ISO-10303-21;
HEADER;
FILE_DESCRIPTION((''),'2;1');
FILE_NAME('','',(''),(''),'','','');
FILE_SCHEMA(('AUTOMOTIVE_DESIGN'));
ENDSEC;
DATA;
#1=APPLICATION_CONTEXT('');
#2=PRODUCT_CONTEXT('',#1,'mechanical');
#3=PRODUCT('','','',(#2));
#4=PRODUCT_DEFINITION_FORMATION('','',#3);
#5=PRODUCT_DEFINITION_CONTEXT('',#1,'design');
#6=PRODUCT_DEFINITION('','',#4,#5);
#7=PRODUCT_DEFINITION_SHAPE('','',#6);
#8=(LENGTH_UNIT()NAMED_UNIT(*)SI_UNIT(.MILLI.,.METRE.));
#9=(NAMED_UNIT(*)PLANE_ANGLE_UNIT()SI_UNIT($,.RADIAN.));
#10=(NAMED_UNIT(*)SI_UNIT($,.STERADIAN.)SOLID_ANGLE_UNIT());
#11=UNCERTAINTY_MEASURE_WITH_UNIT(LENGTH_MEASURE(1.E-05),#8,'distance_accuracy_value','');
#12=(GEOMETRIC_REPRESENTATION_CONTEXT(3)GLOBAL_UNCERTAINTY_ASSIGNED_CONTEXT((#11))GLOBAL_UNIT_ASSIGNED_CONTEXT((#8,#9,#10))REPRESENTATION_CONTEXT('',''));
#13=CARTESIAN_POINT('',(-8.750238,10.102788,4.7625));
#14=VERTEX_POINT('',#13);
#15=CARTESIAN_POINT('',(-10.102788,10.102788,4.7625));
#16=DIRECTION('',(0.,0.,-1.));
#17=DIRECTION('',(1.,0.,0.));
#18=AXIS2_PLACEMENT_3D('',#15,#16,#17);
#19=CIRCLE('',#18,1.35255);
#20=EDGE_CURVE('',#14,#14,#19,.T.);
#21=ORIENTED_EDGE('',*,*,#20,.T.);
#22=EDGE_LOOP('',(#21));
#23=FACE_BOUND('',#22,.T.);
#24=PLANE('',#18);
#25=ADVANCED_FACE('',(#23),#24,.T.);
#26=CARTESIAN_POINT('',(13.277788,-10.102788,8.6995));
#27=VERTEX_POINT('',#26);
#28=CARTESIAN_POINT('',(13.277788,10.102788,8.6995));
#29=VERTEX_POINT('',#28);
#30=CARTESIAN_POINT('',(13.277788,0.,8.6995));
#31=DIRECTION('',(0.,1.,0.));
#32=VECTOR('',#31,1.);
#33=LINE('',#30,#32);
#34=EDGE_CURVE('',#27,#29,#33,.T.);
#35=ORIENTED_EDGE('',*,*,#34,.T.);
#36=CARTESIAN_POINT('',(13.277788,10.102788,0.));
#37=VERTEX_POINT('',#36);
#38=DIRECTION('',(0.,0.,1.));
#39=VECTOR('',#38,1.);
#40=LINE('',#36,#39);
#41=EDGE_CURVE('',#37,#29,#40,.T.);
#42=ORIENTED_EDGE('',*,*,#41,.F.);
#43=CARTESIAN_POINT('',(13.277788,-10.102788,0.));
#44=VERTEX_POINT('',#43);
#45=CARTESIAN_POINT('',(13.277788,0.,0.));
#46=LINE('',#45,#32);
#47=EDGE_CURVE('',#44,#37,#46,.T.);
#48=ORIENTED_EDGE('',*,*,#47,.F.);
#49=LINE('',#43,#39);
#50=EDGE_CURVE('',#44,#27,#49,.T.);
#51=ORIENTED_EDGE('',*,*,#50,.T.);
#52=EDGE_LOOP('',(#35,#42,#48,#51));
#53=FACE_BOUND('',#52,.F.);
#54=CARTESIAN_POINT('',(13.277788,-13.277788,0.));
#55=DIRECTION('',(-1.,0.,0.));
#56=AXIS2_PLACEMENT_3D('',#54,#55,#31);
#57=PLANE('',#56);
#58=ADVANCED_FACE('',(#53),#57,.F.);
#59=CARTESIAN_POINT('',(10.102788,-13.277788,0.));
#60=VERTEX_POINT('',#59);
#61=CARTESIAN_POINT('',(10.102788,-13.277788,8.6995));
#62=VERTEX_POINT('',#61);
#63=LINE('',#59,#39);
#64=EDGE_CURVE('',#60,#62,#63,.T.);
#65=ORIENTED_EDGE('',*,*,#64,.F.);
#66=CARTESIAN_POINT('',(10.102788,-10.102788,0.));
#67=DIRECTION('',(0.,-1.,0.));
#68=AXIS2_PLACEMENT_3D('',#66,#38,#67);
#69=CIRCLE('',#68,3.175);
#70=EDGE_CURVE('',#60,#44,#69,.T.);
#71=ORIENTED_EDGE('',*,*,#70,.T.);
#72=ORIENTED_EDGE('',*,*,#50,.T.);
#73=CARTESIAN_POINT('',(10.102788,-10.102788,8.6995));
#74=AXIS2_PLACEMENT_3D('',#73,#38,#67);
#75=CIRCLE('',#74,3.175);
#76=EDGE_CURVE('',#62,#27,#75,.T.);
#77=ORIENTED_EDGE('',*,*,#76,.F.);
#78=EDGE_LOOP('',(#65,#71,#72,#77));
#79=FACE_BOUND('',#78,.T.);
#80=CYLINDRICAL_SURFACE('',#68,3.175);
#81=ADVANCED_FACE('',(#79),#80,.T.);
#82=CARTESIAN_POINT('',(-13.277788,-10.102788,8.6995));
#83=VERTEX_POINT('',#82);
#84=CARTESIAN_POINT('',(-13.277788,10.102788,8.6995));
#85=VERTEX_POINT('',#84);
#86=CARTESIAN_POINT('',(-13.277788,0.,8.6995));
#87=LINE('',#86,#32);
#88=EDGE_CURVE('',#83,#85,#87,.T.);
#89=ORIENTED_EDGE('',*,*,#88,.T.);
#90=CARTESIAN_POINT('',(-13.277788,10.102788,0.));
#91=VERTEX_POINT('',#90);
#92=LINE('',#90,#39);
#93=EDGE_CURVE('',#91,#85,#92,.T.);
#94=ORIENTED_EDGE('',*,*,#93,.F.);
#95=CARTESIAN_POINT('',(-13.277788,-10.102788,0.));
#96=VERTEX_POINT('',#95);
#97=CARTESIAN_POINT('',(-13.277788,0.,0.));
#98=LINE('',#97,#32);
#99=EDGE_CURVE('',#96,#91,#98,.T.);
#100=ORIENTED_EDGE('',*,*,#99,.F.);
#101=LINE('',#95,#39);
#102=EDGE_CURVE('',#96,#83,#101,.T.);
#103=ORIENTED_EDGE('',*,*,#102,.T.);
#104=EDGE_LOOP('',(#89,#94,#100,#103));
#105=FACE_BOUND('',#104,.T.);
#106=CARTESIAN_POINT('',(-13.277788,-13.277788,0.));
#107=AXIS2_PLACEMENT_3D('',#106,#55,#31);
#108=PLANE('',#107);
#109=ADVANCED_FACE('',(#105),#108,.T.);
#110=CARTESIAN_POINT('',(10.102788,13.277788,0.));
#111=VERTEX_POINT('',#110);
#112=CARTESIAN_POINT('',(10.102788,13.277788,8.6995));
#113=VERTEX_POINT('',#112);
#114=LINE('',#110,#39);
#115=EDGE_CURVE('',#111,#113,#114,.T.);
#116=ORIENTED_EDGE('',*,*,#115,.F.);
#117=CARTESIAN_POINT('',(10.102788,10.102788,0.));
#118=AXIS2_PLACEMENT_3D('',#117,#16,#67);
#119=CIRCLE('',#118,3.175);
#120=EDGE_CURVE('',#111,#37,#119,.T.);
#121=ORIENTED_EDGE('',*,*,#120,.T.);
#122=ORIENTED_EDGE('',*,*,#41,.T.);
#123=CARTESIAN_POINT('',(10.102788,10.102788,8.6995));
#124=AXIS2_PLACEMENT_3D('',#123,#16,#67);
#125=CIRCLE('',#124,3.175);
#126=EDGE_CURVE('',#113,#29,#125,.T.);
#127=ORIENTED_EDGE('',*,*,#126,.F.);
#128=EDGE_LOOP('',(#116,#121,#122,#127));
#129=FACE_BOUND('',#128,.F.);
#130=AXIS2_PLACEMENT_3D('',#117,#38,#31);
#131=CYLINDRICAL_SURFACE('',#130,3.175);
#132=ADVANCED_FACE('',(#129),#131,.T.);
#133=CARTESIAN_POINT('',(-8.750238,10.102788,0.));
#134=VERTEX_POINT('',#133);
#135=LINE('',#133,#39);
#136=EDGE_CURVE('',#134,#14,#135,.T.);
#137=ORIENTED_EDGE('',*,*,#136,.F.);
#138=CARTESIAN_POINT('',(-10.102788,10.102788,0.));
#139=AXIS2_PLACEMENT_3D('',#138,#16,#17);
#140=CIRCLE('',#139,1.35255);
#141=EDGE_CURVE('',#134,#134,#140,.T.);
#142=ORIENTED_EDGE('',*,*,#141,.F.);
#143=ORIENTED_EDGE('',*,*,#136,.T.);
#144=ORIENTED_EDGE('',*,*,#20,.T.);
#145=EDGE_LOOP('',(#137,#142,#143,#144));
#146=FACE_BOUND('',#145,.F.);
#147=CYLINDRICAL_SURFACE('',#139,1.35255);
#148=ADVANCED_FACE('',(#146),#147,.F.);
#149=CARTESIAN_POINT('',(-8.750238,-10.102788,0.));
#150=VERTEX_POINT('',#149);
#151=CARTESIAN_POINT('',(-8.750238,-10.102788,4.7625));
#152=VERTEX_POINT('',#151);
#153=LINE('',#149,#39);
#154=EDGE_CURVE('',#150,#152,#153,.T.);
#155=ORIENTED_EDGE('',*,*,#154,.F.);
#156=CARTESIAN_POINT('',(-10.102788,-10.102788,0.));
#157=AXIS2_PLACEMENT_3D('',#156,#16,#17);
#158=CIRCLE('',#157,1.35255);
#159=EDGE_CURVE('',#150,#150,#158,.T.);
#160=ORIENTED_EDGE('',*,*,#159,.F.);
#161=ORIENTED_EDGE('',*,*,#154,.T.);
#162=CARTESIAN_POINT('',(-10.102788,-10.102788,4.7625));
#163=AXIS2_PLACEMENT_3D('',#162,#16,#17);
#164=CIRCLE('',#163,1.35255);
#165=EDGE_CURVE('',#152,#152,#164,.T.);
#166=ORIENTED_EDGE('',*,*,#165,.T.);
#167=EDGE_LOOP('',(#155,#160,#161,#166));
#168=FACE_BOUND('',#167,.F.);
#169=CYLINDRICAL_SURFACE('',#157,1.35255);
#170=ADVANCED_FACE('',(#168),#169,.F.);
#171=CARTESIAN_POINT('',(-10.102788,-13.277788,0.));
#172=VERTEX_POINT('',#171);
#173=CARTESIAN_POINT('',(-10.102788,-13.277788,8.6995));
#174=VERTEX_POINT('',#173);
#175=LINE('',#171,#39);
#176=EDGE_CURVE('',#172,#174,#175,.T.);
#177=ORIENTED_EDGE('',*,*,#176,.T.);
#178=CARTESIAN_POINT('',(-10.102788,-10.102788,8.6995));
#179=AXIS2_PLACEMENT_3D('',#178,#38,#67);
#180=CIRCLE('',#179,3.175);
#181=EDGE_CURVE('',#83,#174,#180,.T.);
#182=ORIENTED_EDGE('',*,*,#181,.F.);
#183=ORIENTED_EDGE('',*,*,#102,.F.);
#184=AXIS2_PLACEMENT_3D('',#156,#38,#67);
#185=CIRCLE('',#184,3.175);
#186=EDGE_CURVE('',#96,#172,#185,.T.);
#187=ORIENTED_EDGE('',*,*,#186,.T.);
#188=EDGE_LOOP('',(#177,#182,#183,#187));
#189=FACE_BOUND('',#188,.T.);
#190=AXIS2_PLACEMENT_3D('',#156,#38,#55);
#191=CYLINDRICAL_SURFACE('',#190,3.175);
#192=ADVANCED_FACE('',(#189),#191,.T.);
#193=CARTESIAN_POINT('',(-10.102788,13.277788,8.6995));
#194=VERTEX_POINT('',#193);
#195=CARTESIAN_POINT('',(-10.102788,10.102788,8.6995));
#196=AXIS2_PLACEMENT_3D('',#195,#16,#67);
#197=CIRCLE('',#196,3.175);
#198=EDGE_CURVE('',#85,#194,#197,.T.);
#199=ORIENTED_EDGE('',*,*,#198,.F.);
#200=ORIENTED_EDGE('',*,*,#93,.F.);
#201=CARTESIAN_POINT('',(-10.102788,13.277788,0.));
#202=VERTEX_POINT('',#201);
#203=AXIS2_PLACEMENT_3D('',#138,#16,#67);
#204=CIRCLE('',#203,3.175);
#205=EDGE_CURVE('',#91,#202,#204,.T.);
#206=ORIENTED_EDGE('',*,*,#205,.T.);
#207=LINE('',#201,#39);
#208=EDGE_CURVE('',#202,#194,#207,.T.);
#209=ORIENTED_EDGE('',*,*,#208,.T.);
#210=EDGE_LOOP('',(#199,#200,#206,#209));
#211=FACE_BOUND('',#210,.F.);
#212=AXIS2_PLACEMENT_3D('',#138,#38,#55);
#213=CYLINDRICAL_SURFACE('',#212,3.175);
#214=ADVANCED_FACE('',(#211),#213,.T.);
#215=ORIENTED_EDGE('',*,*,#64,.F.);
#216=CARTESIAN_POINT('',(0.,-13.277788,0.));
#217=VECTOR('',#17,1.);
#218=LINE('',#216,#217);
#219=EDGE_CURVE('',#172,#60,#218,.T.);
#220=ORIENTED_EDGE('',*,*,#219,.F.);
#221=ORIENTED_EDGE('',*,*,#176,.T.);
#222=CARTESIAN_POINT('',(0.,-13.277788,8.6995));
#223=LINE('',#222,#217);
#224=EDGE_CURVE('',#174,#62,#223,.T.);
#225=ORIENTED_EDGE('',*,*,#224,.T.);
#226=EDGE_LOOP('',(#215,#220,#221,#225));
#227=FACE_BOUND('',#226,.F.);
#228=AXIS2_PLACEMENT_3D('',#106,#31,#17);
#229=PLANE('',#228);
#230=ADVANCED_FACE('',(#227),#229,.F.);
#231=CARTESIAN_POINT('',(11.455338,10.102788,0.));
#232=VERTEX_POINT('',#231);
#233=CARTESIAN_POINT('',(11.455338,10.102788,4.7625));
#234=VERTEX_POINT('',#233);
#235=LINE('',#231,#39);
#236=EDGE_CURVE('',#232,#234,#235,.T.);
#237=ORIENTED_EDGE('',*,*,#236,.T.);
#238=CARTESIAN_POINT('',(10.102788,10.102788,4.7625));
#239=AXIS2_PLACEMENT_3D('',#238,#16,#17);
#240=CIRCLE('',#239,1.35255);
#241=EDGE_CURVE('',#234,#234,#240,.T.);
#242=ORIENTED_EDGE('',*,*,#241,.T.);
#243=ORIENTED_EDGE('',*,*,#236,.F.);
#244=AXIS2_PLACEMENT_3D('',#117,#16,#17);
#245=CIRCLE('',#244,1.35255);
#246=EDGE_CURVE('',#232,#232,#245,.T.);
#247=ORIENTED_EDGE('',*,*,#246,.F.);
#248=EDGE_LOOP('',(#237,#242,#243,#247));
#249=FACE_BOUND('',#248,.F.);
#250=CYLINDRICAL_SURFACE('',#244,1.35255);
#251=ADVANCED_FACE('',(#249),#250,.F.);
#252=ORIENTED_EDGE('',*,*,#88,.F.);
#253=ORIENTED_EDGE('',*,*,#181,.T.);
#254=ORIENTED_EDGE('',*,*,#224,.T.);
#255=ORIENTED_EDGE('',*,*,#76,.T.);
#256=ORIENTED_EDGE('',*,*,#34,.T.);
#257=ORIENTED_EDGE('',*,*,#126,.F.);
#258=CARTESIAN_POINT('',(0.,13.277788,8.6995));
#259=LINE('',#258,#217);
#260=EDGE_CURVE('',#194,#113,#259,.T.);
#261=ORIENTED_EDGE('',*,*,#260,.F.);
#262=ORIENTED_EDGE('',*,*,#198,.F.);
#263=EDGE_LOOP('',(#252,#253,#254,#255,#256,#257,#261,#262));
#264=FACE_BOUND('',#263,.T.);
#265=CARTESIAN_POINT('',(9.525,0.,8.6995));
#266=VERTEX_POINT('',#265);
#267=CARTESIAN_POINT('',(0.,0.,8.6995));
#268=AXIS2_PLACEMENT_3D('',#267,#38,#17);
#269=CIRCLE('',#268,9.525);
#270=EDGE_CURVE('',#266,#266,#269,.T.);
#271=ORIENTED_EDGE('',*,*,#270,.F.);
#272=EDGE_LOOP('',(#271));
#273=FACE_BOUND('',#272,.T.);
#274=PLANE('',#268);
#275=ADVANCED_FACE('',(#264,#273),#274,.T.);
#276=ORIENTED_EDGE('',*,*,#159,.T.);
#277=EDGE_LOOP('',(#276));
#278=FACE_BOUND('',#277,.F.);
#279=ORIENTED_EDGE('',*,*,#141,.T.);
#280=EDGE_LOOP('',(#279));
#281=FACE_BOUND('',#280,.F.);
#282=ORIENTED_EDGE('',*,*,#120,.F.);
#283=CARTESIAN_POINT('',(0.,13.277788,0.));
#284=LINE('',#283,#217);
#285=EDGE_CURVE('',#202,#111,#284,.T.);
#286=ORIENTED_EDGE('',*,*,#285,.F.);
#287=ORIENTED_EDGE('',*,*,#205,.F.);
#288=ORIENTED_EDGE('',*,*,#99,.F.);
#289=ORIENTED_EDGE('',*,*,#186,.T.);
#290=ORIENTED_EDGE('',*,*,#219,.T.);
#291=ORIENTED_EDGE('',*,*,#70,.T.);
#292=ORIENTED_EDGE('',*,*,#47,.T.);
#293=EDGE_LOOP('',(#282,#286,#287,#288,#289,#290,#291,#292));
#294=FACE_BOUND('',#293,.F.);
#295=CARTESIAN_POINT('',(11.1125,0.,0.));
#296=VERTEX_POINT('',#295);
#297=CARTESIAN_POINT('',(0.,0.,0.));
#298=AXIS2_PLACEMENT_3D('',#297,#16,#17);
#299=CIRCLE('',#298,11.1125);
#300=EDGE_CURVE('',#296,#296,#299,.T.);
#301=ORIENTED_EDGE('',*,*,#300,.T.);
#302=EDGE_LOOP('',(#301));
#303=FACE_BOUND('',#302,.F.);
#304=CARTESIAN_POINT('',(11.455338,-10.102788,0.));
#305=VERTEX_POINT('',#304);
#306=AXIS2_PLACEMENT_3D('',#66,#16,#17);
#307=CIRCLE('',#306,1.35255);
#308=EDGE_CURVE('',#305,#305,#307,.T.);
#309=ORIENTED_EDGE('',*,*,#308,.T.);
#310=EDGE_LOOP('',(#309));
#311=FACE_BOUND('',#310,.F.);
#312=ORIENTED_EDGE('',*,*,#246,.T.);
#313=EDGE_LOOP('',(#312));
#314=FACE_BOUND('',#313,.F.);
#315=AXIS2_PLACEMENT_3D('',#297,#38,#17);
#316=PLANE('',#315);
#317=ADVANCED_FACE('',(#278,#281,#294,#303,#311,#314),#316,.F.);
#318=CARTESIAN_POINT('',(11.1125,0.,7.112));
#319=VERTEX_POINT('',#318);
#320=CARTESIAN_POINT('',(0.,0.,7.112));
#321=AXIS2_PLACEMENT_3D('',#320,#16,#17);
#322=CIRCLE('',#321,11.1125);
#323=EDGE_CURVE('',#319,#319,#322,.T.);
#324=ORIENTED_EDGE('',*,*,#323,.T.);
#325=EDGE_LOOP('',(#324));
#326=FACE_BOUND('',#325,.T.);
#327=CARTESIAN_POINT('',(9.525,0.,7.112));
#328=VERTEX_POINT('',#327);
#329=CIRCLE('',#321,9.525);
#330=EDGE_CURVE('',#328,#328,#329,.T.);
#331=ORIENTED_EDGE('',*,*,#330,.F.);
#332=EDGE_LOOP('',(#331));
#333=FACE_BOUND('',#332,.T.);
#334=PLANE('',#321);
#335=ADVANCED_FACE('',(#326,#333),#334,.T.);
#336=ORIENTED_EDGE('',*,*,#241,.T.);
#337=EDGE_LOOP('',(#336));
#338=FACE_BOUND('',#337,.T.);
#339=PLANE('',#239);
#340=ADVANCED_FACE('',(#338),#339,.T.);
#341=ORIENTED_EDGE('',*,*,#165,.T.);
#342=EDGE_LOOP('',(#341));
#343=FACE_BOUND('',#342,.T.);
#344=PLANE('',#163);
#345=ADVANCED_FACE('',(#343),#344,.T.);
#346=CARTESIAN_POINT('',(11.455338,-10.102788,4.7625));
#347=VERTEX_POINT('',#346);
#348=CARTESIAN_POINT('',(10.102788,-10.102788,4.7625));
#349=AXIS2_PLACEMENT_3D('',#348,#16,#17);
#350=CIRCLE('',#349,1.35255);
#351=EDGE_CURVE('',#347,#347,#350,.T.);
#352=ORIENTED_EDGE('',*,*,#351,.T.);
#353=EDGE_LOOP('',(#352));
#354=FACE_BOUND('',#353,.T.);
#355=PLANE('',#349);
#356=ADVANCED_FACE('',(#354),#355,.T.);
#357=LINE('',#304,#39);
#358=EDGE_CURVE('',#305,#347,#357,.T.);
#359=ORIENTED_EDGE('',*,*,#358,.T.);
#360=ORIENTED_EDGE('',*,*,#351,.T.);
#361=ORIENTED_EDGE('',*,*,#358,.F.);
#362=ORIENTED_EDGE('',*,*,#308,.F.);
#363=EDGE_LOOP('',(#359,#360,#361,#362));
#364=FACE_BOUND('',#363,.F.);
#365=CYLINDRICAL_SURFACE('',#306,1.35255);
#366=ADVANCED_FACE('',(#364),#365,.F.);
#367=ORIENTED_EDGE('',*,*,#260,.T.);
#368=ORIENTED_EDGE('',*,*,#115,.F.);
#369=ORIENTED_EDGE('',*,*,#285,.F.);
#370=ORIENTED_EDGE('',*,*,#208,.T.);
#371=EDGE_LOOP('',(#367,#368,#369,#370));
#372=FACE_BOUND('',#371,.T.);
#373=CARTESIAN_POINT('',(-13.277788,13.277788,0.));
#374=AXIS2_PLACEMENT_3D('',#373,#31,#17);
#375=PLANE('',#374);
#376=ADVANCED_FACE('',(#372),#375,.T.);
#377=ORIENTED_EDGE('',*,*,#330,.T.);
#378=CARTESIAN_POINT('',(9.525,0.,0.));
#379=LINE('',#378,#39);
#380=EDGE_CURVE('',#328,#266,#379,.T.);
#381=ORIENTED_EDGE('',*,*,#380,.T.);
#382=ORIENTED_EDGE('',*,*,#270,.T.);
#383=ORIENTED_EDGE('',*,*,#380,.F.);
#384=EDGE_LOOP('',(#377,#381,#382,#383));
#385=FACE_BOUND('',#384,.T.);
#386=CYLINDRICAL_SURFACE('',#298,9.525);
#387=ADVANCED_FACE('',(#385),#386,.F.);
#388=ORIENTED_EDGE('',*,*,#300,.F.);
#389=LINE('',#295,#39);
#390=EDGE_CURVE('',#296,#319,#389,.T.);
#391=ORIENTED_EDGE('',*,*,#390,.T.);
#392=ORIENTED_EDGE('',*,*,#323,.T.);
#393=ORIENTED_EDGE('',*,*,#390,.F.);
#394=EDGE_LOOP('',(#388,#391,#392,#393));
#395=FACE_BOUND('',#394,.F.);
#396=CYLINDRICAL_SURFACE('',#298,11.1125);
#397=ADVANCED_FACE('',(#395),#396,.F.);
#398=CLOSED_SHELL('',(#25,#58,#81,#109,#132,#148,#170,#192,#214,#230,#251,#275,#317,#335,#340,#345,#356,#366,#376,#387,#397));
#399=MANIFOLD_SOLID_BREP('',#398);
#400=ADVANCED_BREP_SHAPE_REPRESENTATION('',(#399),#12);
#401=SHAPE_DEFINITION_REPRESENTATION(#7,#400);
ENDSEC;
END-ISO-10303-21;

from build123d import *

# Parameters (mm, degrees)
F0_W     = 26.555576
F0_H     = 26.555576
F0_R     = 9.525
F1_DEPTH = 8.6995
F2_R     = 3.175
F3_R     = 11.1125
F4_DEPTH = 7.112
F5_R     = 1.35255
F6_DEPTH = 4.7625


with BuildPart() as f1:
    # F0 (on Top) → F1 (new body)
    with BuildSketch(Plane.XY):
        Rectangle(F0_W, F0_H)
        Circle(F0_R, mode=Mode.SUBTRACT)
    extrude(amount=F1_DEPTH)

    # F2
    f2_edges = [f1.edges().sort_by_distance(p)[0] for p in [
        (-13.277788, 13.277788, 4.34975),
        (-13.277788, -13.277788, 4.34975),
        (13.277788, -13.277788, 4.34975),
        (13.277788, 13.277788, 4.34975),
    ]]
    fillet(f2_edges, radius=F2_R)

    # F3 (on face) → F4 (cut)
    with BuildSketch(Plane(origin=(0, 0, 0), x_dir=(1, 0, 0), z_dir=(0, 0, -1))):
        Circle(F3_R)
    extrude(amount=-F4_DEPTH, mode=Mode.SUBTRACT)

    # F5 (on face) → F6 (cut)
    with BuildSketch(Plane(origin=(0, 0, 0), x_dir=(1, 0, 0), z_dir=(0, 0, -1))):
        with Locations((10.102788, 10.102788)):
            Circle(F5_R)
        with Locations((-10.102788, 10.102788)):
            Circle(F5_R)
        with Locations((-10.102788, -10.102788)):
            Circle(F5_R)
        with Locations((10.102788, -10.102788)):
            Circle(F5_R)
    extrude(amount=-F6_DEPTH, mode=Mode.SUBTRACT)


solid = f1.part
